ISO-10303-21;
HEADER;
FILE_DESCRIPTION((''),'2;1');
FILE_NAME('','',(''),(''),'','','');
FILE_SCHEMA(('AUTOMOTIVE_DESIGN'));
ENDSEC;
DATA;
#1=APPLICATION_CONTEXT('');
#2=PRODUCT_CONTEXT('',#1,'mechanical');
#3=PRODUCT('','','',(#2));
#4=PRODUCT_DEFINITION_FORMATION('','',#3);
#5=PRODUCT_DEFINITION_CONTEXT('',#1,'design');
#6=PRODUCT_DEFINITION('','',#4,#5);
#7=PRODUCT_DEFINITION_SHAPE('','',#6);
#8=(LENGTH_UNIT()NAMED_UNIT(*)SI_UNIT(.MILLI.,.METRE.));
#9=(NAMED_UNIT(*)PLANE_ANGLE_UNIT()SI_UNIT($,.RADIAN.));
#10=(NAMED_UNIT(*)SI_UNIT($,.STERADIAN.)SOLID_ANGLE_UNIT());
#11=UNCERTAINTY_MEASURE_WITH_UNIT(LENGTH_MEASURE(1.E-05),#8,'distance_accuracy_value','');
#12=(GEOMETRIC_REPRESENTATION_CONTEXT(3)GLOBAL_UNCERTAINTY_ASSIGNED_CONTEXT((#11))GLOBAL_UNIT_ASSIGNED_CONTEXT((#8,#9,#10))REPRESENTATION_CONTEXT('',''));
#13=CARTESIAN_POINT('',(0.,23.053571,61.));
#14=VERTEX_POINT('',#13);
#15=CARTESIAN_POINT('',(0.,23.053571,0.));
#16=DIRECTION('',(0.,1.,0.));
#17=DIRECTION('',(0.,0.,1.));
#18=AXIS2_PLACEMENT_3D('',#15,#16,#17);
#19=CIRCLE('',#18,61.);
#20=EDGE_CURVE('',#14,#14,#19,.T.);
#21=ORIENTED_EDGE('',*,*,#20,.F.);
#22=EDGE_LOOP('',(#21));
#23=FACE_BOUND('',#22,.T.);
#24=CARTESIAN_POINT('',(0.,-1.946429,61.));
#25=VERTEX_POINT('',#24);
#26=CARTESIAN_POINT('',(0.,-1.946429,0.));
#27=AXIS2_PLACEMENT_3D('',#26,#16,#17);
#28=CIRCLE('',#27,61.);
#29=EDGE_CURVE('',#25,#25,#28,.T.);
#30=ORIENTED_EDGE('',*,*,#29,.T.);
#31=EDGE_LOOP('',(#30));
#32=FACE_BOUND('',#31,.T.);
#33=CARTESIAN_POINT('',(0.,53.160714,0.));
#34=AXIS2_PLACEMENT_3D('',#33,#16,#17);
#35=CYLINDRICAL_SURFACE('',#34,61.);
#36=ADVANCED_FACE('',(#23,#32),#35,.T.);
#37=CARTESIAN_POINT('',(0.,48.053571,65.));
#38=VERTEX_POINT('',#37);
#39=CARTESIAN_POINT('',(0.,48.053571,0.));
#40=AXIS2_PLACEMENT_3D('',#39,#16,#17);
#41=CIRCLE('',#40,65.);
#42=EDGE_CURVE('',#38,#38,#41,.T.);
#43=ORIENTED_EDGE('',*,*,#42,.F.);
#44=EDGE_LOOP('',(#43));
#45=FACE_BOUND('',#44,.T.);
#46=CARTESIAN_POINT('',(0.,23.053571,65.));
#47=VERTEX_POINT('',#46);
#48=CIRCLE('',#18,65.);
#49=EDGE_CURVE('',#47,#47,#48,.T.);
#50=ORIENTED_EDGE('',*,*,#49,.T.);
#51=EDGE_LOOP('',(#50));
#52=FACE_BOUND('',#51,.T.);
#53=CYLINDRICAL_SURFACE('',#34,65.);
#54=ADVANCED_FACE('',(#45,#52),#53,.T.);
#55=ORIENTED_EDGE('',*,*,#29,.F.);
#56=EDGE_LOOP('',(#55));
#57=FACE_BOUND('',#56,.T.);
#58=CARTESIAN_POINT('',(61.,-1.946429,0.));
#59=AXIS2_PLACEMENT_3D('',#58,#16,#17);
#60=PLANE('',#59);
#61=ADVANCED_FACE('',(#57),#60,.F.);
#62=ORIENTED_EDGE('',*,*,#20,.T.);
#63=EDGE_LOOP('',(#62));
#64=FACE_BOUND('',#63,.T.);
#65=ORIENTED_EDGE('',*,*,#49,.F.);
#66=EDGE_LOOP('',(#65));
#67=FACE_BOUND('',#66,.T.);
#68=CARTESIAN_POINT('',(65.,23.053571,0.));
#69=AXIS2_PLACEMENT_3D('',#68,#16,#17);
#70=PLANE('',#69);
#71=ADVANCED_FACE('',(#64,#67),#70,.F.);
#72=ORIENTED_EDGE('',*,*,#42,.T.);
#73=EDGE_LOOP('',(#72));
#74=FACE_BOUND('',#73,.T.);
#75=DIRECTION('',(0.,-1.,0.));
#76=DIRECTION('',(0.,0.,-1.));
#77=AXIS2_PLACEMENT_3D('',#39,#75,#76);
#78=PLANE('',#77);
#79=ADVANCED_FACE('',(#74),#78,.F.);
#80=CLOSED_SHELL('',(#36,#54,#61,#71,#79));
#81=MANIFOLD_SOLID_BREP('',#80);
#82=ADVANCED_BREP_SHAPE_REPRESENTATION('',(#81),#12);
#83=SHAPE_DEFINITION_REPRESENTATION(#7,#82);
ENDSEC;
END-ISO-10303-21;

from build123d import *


with BuildPart() as part:
    # Sketch1 → Revolve1 (revolve)
    with BuildSketch(Plane.XY, mode=Mode.PRIVATE) as revolve1_sk:
        Polygon((0, 48.053571429), (65, 48.053571429), (65, 23.053571429), (61, 23.053571429), (61, -1.946428571), (0, -1.946428571), align=None)
    revolve(revolve1_sk.sketch.rotate(Axis((0, 53.160714286, 0), (0, -1, 0)), 90), axis=Axis((0, 53.160714286, 0), (0, -1, 0)))


solid = part.part
